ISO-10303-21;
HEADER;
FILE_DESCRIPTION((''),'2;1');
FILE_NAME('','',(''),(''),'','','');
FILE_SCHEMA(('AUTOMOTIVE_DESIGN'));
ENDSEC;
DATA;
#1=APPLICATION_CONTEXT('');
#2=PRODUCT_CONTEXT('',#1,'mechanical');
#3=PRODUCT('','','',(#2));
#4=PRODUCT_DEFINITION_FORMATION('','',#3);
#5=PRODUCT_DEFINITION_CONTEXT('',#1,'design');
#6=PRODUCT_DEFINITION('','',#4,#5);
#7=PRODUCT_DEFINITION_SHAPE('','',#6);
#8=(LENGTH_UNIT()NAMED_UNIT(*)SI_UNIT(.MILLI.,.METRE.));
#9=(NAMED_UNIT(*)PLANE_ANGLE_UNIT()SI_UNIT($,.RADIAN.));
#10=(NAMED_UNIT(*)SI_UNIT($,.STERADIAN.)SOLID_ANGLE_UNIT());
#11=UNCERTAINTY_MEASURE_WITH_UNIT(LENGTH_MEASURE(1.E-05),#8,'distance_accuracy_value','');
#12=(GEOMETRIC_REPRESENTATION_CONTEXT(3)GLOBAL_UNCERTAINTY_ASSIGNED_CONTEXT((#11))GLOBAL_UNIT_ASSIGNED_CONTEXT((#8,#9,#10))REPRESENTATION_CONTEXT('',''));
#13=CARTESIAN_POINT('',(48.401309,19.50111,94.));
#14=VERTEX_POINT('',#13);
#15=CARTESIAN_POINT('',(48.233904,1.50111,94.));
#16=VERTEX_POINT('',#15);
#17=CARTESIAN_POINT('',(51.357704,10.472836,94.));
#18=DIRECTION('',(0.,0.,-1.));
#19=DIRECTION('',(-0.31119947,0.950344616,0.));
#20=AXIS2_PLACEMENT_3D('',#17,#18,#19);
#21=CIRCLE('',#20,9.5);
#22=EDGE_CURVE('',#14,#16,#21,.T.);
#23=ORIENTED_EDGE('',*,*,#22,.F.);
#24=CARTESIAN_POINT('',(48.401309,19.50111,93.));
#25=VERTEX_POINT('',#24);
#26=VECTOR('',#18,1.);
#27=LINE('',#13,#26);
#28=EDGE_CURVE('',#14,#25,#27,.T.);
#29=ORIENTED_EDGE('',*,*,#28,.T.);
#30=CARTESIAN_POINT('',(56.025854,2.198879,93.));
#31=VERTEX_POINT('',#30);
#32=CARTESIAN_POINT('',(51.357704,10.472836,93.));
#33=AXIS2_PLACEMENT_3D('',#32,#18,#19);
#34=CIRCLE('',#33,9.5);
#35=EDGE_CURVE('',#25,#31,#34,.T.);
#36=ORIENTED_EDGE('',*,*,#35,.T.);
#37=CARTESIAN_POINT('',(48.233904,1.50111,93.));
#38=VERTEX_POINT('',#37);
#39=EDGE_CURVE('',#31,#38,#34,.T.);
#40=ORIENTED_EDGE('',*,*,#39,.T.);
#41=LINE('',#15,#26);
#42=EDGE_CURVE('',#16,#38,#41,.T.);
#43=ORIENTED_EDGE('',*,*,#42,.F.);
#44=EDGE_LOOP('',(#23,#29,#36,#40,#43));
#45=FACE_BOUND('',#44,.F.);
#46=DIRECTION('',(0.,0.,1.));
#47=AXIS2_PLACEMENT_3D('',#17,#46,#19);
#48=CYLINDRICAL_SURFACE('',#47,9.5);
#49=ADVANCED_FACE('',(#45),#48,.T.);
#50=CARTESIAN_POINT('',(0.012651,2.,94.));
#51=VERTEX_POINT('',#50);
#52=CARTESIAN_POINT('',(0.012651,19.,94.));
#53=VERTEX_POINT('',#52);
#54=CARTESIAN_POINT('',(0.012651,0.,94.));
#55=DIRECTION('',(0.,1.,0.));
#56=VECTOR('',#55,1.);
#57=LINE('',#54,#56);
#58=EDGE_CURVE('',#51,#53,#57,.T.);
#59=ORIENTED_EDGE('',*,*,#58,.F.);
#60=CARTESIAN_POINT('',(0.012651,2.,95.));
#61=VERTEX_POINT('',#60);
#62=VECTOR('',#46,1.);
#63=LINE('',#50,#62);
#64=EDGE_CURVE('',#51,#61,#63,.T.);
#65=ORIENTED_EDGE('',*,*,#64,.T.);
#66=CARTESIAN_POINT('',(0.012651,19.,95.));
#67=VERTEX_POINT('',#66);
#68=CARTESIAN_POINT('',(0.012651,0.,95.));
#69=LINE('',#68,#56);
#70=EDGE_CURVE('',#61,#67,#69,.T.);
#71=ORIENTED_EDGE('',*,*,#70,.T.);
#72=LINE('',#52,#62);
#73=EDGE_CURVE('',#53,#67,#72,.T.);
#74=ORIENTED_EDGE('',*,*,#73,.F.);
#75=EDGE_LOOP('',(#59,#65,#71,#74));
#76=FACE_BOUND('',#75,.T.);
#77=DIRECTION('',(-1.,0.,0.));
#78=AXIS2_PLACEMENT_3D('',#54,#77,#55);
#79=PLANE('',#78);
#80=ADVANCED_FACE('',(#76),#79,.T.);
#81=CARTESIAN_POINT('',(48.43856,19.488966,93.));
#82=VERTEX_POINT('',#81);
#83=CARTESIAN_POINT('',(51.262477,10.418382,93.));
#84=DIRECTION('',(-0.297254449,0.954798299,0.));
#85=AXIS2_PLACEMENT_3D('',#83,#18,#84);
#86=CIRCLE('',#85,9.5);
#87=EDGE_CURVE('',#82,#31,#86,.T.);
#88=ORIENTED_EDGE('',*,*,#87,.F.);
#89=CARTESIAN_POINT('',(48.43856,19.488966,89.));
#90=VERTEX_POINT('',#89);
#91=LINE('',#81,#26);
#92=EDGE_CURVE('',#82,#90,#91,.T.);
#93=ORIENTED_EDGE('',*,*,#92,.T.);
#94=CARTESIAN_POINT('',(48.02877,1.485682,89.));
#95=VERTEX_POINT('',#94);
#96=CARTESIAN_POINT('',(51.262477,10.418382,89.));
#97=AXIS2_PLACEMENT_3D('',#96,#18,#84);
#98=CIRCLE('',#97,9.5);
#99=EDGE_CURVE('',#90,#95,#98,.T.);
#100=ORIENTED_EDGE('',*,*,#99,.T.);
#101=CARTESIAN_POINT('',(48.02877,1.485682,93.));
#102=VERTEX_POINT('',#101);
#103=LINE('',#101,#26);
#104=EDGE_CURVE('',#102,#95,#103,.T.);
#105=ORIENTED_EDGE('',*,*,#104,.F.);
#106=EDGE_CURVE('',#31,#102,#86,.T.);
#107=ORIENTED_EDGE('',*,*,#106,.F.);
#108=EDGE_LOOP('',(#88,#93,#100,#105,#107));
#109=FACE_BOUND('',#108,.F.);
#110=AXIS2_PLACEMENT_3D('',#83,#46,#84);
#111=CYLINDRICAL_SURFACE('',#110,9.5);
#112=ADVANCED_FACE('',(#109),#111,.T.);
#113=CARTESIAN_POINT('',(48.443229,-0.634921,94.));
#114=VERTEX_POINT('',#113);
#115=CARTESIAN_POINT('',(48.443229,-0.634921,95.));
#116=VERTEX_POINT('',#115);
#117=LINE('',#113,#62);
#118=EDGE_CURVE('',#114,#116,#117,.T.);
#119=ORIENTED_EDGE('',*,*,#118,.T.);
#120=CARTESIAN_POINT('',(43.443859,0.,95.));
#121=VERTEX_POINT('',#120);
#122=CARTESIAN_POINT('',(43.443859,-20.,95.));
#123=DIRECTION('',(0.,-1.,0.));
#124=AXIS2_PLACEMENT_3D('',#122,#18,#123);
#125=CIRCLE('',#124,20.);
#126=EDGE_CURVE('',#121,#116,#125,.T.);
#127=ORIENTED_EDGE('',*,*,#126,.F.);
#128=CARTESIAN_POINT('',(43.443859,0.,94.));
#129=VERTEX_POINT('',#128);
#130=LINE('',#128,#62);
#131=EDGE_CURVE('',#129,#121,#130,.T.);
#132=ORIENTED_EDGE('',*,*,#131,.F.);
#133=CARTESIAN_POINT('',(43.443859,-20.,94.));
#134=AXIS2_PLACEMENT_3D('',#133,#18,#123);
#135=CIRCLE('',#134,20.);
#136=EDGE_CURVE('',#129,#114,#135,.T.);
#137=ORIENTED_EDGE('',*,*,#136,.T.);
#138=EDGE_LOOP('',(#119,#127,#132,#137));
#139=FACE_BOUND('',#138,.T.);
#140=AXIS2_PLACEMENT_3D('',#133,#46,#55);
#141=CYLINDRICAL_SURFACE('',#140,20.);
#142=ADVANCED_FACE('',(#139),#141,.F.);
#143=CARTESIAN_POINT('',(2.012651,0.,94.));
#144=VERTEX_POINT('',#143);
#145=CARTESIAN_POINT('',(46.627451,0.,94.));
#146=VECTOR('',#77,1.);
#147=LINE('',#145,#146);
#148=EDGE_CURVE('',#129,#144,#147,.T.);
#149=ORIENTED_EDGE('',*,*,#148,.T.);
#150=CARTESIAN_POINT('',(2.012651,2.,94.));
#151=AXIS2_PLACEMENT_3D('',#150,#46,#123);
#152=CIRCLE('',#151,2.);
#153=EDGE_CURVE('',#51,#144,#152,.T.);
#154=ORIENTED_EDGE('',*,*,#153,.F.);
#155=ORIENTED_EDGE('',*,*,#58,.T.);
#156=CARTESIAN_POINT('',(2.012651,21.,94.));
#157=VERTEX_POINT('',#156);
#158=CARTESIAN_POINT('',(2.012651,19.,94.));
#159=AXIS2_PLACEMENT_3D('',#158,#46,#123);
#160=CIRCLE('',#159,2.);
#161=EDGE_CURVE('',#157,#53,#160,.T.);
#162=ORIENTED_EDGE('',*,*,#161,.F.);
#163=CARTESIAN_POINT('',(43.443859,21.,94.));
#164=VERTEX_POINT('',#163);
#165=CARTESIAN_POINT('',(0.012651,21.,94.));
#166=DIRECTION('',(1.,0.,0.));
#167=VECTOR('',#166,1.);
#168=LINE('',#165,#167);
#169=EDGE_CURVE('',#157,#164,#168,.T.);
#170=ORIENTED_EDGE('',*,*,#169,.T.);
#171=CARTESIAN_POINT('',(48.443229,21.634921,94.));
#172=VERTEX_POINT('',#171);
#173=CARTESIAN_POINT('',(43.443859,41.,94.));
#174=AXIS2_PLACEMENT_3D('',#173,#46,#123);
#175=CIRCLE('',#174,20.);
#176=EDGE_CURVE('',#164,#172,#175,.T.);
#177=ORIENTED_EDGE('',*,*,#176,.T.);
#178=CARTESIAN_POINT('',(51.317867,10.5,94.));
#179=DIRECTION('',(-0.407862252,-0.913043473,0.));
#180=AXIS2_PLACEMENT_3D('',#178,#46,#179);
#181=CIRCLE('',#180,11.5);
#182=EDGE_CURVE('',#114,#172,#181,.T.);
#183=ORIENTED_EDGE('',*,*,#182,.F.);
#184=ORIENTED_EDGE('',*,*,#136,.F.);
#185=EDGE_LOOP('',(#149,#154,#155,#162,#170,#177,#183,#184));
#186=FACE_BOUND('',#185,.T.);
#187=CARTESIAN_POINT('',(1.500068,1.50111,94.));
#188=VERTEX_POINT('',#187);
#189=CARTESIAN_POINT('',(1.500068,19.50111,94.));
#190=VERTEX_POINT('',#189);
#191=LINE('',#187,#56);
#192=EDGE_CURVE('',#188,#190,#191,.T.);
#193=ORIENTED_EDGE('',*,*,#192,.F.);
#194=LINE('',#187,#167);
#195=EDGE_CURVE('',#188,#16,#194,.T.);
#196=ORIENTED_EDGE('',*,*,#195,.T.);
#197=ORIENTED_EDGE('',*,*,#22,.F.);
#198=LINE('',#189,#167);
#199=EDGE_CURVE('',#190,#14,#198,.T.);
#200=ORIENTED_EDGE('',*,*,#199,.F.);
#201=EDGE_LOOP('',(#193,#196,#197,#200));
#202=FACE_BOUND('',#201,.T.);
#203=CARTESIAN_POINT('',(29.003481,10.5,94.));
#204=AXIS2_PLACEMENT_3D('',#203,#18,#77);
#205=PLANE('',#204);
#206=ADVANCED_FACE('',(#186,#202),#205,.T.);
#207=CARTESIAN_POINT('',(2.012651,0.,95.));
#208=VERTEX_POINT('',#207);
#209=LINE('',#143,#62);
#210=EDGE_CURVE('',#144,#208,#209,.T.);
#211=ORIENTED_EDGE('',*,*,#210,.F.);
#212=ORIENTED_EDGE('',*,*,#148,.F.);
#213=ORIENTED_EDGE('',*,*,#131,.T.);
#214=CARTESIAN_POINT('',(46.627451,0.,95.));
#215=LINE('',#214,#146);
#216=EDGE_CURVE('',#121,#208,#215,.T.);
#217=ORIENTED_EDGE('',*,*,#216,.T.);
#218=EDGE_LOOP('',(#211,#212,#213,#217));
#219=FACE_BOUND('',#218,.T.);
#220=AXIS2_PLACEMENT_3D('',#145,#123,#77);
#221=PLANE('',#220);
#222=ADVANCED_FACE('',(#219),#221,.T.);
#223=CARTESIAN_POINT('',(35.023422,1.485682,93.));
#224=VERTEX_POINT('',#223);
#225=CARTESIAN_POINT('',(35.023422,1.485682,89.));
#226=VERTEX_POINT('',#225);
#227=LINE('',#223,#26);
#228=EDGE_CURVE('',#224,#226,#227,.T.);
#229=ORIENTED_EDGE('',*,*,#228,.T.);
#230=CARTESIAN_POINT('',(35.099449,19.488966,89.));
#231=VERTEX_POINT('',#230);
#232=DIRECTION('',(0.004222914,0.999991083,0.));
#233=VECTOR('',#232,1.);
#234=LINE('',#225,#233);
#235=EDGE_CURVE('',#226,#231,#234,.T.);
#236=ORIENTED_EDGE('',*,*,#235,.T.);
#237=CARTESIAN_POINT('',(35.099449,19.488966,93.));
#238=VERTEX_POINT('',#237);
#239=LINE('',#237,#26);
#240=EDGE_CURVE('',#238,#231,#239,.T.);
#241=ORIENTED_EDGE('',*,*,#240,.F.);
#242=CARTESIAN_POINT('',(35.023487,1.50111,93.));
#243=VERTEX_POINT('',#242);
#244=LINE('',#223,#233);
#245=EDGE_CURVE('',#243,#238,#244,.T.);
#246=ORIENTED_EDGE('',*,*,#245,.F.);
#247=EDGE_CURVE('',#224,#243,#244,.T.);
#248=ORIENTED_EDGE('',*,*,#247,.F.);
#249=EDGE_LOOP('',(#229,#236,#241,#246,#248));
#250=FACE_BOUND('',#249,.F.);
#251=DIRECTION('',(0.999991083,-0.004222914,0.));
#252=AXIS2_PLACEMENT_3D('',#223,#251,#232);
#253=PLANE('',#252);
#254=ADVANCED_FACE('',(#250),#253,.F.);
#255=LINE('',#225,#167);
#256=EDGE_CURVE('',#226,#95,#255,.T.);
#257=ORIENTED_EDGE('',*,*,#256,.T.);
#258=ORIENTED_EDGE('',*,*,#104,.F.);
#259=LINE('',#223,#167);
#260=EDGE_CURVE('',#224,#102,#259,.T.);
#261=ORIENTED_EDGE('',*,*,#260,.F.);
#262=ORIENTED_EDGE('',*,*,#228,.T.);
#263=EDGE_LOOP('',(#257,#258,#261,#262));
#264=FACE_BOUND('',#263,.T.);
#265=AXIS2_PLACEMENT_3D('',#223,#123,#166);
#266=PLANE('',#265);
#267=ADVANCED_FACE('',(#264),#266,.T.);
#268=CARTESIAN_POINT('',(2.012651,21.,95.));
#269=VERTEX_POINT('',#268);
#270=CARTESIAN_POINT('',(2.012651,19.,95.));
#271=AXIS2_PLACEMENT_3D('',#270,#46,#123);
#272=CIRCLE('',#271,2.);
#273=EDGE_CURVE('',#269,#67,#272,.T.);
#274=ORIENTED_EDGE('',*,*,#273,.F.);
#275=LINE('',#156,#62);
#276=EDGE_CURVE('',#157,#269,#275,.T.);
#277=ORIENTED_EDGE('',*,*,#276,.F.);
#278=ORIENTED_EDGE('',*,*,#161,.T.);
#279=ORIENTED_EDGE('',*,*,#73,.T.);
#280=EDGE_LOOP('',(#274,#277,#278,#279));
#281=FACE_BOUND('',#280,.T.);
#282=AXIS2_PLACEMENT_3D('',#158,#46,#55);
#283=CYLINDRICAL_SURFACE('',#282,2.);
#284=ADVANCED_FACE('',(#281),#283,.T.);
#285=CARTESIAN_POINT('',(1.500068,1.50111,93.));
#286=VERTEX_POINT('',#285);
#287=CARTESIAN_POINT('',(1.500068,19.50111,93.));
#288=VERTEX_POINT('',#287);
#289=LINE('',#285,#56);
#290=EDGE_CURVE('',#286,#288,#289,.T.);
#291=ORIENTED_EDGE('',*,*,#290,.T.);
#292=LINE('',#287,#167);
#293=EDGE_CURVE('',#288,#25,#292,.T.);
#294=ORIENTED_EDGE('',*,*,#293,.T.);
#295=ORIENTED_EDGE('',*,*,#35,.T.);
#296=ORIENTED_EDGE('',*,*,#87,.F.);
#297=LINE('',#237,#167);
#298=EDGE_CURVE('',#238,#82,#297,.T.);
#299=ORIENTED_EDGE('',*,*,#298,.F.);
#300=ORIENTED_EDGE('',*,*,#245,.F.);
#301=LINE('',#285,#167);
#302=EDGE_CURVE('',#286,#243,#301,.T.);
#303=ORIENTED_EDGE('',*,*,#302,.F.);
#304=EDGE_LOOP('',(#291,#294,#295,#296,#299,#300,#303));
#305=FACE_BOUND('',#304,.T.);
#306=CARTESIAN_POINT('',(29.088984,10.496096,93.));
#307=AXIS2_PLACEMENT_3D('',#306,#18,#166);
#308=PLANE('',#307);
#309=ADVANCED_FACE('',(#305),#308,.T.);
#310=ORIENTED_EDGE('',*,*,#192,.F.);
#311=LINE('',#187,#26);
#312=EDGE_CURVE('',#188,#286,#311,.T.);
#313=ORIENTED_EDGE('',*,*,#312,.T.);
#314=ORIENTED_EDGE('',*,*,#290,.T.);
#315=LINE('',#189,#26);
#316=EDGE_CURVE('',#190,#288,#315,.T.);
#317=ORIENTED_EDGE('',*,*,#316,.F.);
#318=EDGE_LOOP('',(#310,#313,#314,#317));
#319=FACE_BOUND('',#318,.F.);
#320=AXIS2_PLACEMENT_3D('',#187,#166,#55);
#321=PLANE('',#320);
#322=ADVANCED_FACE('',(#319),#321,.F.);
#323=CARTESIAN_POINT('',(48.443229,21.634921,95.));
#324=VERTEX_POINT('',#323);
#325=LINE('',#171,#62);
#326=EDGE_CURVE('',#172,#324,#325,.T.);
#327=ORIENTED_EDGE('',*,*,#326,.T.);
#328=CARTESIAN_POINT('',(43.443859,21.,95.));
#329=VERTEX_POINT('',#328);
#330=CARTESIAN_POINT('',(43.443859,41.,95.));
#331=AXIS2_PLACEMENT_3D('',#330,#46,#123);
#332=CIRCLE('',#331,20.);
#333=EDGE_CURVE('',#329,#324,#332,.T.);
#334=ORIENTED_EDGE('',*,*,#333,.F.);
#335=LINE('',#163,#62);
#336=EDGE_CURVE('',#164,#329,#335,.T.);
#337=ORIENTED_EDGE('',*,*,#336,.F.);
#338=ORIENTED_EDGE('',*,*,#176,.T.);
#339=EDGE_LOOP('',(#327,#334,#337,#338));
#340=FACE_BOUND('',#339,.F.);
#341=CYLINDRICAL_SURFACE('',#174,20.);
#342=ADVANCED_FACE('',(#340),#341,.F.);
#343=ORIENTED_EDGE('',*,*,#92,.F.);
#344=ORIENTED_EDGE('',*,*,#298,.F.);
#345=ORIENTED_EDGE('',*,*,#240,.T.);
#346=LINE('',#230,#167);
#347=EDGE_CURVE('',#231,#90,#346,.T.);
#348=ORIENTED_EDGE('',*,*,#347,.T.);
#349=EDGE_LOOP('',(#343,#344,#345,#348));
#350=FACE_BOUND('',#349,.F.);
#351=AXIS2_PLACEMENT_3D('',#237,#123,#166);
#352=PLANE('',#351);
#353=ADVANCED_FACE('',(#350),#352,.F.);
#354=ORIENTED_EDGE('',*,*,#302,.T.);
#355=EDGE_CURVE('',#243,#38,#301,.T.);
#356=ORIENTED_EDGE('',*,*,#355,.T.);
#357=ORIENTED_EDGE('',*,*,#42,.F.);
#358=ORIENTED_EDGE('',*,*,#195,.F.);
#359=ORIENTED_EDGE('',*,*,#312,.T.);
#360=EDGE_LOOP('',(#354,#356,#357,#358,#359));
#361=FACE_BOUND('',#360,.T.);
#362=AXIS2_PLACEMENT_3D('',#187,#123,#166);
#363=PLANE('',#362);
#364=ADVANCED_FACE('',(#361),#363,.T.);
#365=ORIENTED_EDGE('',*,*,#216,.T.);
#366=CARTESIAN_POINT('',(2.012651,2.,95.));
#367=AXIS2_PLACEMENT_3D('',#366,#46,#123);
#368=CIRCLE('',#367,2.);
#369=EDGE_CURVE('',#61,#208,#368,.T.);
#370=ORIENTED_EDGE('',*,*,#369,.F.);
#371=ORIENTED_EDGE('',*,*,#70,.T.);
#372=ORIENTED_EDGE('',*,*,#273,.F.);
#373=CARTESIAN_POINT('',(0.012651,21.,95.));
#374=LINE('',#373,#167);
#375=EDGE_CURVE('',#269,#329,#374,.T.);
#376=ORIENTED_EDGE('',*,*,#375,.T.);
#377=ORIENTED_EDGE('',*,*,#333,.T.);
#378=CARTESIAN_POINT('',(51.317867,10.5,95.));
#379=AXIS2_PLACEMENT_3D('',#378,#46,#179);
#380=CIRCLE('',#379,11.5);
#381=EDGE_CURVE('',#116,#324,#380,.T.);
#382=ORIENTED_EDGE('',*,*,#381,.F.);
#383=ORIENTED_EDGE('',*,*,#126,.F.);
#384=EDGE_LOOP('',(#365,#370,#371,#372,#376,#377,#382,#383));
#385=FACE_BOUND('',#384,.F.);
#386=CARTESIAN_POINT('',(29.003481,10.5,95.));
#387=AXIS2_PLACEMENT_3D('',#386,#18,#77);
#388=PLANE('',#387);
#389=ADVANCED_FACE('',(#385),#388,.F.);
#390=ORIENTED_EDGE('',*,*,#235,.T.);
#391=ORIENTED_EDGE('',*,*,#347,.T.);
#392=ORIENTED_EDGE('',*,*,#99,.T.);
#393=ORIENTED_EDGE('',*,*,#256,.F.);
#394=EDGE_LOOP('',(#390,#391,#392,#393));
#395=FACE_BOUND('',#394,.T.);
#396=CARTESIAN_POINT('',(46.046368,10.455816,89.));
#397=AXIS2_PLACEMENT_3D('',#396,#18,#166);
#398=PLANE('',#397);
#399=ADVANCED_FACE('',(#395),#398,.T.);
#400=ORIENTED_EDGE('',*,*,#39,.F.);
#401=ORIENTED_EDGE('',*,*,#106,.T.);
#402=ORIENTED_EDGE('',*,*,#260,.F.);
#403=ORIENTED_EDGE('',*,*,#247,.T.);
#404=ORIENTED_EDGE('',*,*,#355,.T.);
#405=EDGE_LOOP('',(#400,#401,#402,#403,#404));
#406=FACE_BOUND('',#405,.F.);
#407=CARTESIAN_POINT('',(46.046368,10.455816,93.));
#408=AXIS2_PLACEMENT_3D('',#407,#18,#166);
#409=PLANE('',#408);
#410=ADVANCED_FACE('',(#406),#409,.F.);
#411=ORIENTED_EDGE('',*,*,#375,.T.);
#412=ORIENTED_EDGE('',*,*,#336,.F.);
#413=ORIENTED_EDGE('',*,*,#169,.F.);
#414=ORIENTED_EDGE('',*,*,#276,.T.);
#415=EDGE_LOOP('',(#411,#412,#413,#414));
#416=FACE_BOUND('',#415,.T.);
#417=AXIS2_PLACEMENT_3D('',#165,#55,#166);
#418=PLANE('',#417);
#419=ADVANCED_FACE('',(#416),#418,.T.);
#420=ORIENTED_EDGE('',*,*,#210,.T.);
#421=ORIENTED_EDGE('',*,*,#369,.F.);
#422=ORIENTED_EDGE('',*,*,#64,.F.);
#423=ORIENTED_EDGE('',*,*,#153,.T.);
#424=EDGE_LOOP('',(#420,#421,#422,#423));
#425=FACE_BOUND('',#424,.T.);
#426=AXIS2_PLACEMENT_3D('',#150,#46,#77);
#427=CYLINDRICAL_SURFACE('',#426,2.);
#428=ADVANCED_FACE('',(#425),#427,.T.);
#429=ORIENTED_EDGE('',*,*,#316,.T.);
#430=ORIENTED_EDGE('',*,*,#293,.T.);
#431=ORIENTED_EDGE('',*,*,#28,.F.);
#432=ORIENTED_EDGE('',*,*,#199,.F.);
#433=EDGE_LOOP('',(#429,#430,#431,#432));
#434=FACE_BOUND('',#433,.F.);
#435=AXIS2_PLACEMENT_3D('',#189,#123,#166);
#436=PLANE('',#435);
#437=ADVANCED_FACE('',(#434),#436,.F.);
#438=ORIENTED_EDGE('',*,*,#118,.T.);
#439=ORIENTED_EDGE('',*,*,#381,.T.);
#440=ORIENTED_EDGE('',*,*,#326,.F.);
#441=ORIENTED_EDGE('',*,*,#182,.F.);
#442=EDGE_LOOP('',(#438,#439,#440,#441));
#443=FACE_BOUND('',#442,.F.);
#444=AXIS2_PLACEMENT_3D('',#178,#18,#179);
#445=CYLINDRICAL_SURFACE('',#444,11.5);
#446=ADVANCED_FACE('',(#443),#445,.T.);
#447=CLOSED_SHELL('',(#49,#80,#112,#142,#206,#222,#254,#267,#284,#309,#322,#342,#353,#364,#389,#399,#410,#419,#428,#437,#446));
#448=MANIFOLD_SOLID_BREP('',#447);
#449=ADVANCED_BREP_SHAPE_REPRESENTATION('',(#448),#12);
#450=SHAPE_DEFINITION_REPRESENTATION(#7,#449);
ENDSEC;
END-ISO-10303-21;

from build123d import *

# Parameters (mm, degrees)
PAD003_DEPTH = 1
PAD004_DEPTH = 1
FILLET012_R  = 20
FILLET013_R  = 2
FILLET014_R  = 2
FILLET015_R  = 20
PAD005_DEPTH = 4


with BuildPart() as part:
    # Sketch008 → Pad003 (new body)
    with BuildSketch(Plane.XY.offset(94)):
        with BuildLine():
            Line((0.012651, 21), (46.627451, 21))
            ThreePointArc((46.627451, 0), (62.817867, 10.5), (46.627451, 21))
            Line((46.627451, 0), (0.012651, 0))
            Line((0.012651, 0), (0.012651, 21))
        make_face()
    extrude(amount=PAD003_DEPTH)

    # Sketch010 → Pad004 (new body)
    with BuildSketch(Plane(origin=(0, 0, 94), x_dir=(1, 0, 0), z_dir=(0, 0, -1))):
        with BuildLine():
            Line((1.500068, -19.50111), (48.401309, -19.50111))
            ThreePointArc((48.401309, -19.50111), (60.857293, -10.384488), (48.233904, -1.50111))
            Line((1.500068, -1.50111), (48.233904, -1.50111))
            Line((1.500068, -1.50111), (1.500068, -19.50111))
        make_face()
    extrude(amount=PAD004_DEPTH)

    # Fillet012
    fillet012_edges = [part.edges().sort_by_distance(p)[0] for p in [
        (46.627451, 21, 94.5),
    ]]
    fillet(fillet012_edges, radius=FILLET012_R)

    # Fillet013
    fillet013_edges = [part.edges().sort_by_distance(p)[0] for p in [
        (0.012651, 21, 94.5),
    ]]
    fillet(fillet013_edges, radius=FILLET013_R)

    # Fillet014
    fillet014_edges = [part.edges().sort_by_distance(p)[0] for p in [
        (0.012651, 0, 94.5),
    ]]
    fillet(fillet014_edges, radius=FILLET014_R)

    # Fillet015
    fillet015_edges = [part.edges().sort_by_distance(p)[0] for p in [
        (46.627451, 0, 94.5),
    ]]
    fillet(fillet015_edges, radius=FILLET015_R)

    # Sketch011 → Pad005 (new body)
    with BuildSketch(Plane(origin=(0, 0, 93), x_dir=(1, 0, 0), z_dir=(0, 0, -1))):
        with BuildLine():
            Line((35.099449, -19.488966), (48.43856, -19.488966))
            ThreePointArc((48.43856, -19.488966), (60.760017, -10.202199), (48.02877, -1.485682))
            Line((35.023422, -1.485682), (48.02877, -1.485682))
            Line((35.023422, -1.485682), (35.099449, -19.488966))
        make_face()
    extrude(amount=PAD005_DEPTH)


solid = part.part
